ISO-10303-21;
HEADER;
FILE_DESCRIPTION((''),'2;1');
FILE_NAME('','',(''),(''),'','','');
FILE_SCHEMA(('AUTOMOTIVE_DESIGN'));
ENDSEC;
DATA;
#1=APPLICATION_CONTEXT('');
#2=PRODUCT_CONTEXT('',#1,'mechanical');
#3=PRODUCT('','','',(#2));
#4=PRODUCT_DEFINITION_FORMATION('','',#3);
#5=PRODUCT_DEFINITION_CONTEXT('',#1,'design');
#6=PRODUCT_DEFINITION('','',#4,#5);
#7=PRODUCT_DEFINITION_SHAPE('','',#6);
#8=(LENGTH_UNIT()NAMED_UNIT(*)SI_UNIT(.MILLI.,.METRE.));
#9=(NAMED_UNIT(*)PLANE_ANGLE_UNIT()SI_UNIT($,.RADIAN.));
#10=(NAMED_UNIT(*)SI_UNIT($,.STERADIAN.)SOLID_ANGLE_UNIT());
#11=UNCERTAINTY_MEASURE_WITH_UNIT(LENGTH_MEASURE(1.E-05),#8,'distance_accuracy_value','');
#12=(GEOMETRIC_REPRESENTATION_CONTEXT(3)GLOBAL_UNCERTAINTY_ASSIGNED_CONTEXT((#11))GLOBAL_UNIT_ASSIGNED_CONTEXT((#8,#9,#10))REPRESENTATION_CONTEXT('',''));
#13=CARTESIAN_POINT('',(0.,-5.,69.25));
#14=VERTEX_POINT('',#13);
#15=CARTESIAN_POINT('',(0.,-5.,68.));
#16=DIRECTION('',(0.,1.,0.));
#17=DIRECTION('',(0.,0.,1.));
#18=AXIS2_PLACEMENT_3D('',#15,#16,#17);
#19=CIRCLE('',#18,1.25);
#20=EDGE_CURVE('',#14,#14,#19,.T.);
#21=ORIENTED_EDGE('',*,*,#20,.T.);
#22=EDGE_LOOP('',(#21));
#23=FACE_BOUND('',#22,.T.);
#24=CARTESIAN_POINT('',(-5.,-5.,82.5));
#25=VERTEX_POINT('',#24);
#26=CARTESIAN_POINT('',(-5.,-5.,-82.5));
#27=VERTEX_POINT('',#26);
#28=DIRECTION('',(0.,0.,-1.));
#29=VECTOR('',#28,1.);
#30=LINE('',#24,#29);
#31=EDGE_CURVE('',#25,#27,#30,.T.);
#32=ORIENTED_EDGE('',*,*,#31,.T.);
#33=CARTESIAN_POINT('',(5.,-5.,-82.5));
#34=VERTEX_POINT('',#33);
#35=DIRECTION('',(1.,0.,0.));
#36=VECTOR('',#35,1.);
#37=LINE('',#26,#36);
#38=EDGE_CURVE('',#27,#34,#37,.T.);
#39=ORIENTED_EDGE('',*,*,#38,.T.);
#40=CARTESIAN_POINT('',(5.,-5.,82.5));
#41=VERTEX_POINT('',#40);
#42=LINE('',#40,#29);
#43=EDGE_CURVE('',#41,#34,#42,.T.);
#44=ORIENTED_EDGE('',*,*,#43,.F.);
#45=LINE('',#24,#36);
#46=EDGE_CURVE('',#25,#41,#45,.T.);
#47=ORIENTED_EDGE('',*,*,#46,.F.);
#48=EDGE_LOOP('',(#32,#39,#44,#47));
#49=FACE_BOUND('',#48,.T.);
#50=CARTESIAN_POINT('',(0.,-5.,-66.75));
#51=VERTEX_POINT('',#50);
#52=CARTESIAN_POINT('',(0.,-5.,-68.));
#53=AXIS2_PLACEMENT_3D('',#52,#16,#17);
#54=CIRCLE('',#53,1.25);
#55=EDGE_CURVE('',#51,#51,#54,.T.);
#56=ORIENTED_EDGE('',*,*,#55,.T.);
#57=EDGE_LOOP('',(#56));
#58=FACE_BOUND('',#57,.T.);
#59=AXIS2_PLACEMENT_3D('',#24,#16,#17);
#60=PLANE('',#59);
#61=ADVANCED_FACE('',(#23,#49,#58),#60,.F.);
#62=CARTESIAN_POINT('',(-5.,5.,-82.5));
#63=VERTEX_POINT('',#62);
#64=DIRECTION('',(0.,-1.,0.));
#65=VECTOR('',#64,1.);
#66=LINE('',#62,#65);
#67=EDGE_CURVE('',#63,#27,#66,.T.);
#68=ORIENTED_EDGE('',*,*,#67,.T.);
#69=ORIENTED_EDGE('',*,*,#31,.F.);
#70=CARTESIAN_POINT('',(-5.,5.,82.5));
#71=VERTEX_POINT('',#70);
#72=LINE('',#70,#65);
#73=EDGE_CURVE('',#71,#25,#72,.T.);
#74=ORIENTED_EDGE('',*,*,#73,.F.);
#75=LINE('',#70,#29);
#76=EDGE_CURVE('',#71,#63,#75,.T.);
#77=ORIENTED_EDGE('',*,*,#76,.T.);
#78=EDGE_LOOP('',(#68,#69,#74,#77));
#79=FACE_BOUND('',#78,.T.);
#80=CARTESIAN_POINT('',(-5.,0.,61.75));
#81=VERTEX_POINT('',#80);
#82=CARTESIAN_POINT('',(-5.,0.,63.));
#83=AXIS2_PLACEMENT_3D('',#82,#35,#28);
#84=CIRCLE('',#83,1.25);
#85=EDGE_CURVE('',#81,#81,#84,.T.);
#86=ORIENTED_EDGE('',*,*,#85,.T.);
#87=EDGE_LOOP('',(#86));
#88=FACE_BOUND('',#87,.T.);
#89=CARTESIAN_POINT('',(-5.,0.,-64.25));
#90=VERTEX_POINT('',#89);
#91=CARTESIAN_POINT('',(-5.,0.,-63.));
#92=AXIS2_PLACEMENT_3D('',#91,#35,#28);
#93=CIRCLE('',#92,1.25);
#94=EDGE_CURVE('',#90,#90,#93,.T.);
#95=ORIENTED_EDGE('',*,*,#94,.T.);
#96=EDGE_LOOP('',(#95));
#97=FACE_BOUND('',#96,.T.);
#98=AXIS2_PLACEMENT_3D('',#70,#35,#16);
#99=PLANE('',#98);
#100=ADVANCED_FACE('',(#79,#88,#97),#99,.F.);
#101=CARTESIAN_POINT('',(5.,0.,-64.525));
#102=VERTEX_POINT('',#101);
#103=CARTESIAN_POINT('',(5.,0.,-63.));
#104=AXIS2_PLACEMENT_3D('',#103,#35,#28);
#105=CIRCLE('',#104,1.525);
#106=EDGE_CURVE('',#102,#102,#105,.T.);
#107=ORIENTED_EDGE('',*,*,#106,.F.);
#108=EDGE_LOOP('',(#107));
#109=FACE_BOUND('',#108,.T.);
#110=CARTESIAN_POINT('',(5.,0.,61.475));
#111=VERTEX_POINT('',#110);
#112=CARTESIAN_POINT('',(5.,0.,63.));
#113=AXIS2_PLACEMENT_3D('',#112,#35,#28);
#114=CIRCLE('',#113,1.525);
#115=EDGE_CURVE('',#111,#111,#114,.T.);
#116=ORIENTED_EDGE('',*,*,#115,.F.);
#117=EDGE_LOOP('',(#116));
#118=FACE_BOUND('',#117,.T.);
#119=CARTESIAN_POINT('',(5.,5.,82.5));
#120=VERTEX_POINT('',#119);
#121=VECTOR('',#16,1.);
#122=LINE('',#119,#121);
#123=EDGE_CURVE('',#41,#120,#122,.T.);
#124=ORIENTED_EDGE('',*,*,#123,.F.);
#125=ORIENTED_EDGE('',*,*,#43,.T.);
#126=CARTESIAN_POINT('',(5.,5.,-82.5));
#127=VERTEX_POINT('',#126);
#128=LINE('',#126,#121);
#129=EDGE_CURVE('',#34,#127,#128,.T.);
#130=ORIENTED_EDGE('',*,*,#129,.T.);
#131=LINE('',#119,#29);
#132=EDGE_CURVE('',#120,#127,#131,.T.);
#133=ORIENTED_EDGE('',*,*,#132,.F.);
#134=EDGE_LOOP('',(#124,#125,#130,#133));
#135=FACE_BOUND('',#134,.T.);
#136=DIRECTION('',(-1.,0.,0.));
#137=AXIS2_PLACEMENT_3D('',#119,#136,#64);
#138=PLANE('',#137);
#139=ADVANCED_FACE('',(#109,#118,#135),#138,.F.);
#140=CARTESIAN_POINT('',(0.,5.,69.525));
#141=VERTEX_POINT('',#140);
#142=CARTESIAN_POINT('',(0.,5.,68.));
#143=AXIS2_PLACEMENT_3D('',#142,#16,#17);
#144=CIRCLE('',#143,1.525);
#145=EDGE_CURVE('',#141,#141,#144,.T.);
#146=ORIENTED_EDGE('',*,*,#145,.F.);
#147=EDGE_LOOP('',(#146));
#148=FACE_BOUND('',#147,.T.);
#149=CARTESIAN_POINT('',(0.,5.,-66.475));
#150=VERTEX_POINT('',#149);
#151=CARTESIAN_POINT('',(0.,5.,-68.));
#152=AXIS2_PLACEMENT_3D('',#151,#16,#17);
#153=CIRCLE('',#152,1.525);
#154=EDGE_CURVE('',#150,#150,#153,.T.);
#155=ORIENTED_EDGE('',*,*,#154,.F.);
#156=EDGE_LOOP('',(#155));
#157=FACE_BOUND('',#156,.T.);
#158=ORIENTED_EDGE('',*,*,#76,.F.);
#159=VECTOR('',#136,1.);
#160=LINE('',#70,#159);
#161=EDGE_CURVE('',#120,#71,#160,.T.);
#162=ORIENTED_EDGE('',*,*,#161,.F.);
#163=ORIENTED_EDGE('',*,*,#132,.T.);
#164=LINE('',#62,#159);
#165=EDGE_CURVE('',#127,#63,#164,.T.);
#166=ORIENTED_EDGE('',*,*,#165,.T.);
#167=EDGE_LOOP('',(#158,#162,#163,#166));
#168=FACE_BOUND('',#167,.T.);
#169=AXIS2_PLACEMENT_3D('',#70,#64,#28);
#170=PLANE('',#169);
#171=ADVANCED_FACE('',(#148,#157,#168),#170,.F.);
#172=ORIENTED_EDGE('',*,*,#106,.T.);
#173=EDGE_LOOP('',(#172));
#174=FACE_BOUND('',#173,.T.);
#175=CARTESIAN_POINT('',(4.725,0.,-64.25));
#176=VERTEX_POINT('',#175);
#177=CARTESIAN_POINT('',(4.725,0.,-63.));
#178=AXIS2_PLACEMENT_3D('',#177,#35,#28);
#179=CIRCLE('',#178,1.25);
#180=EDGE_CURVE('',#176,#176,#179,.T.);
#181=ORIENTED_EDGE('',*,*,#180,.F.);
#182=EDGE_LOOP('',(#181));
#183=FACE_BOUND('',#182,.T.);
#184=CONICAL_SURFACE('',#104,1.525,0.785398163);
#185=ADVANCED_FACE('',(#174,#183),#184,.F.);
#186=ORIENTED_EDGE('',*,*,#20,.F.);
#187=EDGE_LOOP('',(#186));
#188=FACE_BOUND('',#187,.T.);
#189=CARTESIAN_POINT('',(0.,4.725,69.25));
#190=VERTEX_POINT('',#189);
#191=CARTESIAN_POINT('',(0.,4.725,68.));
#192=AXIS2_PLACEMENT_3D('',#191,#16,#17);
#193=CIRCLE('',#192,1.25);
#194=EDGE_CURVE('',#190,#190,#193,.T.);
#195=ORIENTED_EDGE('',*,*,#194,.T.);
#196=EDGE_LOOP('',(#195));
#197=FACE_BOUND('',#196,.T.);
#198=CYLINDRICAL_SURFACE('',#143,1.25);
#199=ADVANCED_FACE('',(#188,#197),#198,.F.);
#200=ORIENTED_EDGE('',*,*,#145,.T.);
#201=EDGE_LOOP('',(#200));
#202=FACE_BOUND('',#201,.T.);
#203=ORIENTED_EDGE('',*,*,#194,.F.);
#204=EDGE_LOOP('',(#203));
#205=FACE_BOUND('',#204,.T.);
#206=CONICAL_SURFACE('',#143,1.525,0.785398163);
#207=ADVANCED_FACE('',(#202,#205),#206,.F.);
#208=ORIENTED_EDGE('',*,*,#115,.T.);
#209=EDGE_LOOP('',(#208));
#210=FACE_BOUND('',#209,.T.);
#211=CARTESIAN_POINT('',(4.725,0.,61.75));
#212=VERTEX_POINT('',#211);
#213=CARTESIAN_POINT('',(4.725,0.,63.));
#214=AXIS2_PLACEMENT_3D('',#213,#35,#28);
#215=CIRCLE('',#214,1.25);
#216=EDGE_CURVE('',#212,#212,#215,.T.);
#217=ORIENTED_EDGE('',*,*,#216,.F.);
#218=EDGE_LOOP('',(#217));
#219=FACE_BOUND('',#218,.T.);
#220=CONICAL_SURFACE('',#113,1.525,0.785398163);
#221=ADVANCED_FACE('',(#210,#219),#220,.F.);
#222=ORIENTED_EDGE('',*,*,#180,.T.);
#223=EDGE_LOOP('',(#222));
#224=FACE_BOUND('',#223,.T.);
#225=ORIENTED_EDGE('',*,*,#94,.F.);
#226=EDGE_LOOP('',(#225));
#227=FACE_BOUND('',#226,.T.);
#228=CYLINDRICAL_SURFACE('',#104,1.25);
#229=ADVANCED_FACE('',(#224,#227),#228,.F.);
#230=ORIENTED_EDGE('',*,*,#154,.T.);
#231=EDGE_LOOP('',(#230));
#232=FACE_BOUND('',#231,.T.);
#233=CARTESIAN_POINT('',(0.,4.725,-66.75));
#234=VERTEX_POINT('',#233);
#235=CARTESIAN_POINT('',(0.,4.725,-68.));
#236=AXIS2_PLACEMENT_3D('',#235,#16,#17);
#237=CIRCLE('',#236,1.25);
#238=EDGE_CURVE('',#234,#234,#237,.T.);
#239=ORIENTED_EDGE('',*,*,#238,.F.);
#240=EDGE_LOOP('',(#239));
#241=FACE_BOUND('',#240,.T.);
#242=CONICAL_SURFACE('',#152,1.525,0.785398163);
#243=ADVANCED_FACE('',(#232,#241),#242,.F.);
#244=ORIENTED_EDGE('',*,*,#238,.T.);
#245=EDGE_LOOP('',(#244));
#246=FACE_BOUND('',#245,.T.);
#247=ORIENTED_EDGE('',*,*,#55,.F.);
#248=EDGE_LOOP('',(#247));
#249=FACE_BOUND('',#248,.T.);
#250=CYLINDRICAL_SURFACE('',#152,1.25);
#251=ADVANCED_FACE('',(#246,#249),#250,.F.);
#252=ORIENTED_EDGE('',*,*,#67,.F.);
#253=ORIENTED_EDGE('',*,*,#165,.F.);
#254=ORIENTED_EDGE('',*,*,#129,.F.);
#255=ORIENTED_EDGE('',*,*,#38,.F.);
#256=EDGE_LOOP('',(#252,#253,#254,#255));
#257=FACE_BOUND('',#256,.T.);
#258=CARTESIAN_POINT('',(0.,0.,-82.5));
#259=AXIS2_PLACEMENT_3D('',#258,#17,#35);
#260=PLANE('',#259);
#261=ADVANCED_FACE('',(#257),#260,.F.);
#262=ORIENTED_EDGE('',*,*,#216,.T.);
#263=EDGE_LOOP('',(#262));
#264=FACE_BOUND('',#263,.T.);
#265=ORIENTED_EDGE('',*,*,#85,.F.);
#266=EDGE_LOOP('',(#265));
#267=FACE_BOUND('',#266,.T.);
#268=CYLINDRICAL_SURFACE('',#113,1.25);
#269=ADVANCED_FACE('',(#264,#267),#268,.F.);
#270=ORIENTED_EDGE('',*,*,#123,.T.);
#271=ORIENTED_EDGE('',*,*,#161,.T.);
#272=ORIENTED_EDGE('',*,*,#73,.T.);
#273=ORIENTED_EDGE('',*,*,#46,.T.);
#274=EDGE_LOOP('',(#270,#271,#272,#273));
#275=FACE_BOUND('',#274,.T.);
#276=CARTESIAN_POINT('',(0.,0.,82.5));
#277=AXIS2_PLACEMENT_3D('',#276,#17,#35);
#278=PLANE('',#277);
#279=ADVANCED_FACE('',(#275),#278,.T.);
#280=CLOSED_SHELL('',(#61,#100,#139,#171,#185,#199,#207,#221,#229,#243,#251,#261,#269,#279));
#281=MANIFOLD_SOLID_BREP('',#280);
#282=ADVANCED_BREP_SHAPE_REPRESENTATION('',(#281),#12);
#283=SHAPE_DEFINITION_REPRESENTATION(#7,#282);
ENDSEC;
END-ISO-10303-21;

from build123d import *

# Parameters (mm, degrees)
ESQUISSE1_W                     = 10
ESQUISSE1_H                     = 10
BOSS_EXTRU_1_DEPTH              = 82.5
TROU_TARAUD_M3X0_51_D           = 2.5
TROU_TARAUD_M3X0_51_CSINK_D     = 3.05
TROU_TARAUD_M3X0_51_CSINK_ANGLE = 90
TROU_TARAUD_M3X0_52_D           = 2.5
TROU_TARAUD_M3X0_52_CSINK_D     = 3.05
TROU_TARAUD_M3X0_52_CSINK_ANGLE = 90


with BuildPart() as part:
    # Esquisse1 → Boss.-Extru.1 (new body, symmetric)
    with BuildSketch(Plane.XY):
        Rectangle(ESQUISSE1_W, ESQUISSE1_H)
    extrude(amount=BOSS_EXTRU_1_DEPTH, both=True)

    # Trou taraudé M3x0.51 (through all)
    with Locations(Plane(origin=(5, 0, 0), x_dir=(0, 0, -1), z_dir=(1, 0, 0))):
        with Locations((63, 0), (-63, 0)):
            CounterSinkHole(TROU_TARAUD_M3X0_51_D / 2, TROU_TARAUD_M3X0_51_CSINK_D / 2, counter_sink_angle=TROU_TARAUD_M3X0_51_CSINK_ANGLE)

    # Trou taraudé M3x0.52 (through all)
    with Locations(Plane(origin=(0, 5, 0), x_dir=(1, 0, 0), z_dir=(0, 1, 0))):
        with Locations((0, 68), (0, -68)):
            CounterSinkHole(TROU_TARAUD_M3X0_52_D / 2, TROU_TARAUD_M3X0_52_CSINK_D / 2, counter_sink_angle=TROU_TARAUD_M3X0_52_CSINK_ANGLE)


solid = part.part
